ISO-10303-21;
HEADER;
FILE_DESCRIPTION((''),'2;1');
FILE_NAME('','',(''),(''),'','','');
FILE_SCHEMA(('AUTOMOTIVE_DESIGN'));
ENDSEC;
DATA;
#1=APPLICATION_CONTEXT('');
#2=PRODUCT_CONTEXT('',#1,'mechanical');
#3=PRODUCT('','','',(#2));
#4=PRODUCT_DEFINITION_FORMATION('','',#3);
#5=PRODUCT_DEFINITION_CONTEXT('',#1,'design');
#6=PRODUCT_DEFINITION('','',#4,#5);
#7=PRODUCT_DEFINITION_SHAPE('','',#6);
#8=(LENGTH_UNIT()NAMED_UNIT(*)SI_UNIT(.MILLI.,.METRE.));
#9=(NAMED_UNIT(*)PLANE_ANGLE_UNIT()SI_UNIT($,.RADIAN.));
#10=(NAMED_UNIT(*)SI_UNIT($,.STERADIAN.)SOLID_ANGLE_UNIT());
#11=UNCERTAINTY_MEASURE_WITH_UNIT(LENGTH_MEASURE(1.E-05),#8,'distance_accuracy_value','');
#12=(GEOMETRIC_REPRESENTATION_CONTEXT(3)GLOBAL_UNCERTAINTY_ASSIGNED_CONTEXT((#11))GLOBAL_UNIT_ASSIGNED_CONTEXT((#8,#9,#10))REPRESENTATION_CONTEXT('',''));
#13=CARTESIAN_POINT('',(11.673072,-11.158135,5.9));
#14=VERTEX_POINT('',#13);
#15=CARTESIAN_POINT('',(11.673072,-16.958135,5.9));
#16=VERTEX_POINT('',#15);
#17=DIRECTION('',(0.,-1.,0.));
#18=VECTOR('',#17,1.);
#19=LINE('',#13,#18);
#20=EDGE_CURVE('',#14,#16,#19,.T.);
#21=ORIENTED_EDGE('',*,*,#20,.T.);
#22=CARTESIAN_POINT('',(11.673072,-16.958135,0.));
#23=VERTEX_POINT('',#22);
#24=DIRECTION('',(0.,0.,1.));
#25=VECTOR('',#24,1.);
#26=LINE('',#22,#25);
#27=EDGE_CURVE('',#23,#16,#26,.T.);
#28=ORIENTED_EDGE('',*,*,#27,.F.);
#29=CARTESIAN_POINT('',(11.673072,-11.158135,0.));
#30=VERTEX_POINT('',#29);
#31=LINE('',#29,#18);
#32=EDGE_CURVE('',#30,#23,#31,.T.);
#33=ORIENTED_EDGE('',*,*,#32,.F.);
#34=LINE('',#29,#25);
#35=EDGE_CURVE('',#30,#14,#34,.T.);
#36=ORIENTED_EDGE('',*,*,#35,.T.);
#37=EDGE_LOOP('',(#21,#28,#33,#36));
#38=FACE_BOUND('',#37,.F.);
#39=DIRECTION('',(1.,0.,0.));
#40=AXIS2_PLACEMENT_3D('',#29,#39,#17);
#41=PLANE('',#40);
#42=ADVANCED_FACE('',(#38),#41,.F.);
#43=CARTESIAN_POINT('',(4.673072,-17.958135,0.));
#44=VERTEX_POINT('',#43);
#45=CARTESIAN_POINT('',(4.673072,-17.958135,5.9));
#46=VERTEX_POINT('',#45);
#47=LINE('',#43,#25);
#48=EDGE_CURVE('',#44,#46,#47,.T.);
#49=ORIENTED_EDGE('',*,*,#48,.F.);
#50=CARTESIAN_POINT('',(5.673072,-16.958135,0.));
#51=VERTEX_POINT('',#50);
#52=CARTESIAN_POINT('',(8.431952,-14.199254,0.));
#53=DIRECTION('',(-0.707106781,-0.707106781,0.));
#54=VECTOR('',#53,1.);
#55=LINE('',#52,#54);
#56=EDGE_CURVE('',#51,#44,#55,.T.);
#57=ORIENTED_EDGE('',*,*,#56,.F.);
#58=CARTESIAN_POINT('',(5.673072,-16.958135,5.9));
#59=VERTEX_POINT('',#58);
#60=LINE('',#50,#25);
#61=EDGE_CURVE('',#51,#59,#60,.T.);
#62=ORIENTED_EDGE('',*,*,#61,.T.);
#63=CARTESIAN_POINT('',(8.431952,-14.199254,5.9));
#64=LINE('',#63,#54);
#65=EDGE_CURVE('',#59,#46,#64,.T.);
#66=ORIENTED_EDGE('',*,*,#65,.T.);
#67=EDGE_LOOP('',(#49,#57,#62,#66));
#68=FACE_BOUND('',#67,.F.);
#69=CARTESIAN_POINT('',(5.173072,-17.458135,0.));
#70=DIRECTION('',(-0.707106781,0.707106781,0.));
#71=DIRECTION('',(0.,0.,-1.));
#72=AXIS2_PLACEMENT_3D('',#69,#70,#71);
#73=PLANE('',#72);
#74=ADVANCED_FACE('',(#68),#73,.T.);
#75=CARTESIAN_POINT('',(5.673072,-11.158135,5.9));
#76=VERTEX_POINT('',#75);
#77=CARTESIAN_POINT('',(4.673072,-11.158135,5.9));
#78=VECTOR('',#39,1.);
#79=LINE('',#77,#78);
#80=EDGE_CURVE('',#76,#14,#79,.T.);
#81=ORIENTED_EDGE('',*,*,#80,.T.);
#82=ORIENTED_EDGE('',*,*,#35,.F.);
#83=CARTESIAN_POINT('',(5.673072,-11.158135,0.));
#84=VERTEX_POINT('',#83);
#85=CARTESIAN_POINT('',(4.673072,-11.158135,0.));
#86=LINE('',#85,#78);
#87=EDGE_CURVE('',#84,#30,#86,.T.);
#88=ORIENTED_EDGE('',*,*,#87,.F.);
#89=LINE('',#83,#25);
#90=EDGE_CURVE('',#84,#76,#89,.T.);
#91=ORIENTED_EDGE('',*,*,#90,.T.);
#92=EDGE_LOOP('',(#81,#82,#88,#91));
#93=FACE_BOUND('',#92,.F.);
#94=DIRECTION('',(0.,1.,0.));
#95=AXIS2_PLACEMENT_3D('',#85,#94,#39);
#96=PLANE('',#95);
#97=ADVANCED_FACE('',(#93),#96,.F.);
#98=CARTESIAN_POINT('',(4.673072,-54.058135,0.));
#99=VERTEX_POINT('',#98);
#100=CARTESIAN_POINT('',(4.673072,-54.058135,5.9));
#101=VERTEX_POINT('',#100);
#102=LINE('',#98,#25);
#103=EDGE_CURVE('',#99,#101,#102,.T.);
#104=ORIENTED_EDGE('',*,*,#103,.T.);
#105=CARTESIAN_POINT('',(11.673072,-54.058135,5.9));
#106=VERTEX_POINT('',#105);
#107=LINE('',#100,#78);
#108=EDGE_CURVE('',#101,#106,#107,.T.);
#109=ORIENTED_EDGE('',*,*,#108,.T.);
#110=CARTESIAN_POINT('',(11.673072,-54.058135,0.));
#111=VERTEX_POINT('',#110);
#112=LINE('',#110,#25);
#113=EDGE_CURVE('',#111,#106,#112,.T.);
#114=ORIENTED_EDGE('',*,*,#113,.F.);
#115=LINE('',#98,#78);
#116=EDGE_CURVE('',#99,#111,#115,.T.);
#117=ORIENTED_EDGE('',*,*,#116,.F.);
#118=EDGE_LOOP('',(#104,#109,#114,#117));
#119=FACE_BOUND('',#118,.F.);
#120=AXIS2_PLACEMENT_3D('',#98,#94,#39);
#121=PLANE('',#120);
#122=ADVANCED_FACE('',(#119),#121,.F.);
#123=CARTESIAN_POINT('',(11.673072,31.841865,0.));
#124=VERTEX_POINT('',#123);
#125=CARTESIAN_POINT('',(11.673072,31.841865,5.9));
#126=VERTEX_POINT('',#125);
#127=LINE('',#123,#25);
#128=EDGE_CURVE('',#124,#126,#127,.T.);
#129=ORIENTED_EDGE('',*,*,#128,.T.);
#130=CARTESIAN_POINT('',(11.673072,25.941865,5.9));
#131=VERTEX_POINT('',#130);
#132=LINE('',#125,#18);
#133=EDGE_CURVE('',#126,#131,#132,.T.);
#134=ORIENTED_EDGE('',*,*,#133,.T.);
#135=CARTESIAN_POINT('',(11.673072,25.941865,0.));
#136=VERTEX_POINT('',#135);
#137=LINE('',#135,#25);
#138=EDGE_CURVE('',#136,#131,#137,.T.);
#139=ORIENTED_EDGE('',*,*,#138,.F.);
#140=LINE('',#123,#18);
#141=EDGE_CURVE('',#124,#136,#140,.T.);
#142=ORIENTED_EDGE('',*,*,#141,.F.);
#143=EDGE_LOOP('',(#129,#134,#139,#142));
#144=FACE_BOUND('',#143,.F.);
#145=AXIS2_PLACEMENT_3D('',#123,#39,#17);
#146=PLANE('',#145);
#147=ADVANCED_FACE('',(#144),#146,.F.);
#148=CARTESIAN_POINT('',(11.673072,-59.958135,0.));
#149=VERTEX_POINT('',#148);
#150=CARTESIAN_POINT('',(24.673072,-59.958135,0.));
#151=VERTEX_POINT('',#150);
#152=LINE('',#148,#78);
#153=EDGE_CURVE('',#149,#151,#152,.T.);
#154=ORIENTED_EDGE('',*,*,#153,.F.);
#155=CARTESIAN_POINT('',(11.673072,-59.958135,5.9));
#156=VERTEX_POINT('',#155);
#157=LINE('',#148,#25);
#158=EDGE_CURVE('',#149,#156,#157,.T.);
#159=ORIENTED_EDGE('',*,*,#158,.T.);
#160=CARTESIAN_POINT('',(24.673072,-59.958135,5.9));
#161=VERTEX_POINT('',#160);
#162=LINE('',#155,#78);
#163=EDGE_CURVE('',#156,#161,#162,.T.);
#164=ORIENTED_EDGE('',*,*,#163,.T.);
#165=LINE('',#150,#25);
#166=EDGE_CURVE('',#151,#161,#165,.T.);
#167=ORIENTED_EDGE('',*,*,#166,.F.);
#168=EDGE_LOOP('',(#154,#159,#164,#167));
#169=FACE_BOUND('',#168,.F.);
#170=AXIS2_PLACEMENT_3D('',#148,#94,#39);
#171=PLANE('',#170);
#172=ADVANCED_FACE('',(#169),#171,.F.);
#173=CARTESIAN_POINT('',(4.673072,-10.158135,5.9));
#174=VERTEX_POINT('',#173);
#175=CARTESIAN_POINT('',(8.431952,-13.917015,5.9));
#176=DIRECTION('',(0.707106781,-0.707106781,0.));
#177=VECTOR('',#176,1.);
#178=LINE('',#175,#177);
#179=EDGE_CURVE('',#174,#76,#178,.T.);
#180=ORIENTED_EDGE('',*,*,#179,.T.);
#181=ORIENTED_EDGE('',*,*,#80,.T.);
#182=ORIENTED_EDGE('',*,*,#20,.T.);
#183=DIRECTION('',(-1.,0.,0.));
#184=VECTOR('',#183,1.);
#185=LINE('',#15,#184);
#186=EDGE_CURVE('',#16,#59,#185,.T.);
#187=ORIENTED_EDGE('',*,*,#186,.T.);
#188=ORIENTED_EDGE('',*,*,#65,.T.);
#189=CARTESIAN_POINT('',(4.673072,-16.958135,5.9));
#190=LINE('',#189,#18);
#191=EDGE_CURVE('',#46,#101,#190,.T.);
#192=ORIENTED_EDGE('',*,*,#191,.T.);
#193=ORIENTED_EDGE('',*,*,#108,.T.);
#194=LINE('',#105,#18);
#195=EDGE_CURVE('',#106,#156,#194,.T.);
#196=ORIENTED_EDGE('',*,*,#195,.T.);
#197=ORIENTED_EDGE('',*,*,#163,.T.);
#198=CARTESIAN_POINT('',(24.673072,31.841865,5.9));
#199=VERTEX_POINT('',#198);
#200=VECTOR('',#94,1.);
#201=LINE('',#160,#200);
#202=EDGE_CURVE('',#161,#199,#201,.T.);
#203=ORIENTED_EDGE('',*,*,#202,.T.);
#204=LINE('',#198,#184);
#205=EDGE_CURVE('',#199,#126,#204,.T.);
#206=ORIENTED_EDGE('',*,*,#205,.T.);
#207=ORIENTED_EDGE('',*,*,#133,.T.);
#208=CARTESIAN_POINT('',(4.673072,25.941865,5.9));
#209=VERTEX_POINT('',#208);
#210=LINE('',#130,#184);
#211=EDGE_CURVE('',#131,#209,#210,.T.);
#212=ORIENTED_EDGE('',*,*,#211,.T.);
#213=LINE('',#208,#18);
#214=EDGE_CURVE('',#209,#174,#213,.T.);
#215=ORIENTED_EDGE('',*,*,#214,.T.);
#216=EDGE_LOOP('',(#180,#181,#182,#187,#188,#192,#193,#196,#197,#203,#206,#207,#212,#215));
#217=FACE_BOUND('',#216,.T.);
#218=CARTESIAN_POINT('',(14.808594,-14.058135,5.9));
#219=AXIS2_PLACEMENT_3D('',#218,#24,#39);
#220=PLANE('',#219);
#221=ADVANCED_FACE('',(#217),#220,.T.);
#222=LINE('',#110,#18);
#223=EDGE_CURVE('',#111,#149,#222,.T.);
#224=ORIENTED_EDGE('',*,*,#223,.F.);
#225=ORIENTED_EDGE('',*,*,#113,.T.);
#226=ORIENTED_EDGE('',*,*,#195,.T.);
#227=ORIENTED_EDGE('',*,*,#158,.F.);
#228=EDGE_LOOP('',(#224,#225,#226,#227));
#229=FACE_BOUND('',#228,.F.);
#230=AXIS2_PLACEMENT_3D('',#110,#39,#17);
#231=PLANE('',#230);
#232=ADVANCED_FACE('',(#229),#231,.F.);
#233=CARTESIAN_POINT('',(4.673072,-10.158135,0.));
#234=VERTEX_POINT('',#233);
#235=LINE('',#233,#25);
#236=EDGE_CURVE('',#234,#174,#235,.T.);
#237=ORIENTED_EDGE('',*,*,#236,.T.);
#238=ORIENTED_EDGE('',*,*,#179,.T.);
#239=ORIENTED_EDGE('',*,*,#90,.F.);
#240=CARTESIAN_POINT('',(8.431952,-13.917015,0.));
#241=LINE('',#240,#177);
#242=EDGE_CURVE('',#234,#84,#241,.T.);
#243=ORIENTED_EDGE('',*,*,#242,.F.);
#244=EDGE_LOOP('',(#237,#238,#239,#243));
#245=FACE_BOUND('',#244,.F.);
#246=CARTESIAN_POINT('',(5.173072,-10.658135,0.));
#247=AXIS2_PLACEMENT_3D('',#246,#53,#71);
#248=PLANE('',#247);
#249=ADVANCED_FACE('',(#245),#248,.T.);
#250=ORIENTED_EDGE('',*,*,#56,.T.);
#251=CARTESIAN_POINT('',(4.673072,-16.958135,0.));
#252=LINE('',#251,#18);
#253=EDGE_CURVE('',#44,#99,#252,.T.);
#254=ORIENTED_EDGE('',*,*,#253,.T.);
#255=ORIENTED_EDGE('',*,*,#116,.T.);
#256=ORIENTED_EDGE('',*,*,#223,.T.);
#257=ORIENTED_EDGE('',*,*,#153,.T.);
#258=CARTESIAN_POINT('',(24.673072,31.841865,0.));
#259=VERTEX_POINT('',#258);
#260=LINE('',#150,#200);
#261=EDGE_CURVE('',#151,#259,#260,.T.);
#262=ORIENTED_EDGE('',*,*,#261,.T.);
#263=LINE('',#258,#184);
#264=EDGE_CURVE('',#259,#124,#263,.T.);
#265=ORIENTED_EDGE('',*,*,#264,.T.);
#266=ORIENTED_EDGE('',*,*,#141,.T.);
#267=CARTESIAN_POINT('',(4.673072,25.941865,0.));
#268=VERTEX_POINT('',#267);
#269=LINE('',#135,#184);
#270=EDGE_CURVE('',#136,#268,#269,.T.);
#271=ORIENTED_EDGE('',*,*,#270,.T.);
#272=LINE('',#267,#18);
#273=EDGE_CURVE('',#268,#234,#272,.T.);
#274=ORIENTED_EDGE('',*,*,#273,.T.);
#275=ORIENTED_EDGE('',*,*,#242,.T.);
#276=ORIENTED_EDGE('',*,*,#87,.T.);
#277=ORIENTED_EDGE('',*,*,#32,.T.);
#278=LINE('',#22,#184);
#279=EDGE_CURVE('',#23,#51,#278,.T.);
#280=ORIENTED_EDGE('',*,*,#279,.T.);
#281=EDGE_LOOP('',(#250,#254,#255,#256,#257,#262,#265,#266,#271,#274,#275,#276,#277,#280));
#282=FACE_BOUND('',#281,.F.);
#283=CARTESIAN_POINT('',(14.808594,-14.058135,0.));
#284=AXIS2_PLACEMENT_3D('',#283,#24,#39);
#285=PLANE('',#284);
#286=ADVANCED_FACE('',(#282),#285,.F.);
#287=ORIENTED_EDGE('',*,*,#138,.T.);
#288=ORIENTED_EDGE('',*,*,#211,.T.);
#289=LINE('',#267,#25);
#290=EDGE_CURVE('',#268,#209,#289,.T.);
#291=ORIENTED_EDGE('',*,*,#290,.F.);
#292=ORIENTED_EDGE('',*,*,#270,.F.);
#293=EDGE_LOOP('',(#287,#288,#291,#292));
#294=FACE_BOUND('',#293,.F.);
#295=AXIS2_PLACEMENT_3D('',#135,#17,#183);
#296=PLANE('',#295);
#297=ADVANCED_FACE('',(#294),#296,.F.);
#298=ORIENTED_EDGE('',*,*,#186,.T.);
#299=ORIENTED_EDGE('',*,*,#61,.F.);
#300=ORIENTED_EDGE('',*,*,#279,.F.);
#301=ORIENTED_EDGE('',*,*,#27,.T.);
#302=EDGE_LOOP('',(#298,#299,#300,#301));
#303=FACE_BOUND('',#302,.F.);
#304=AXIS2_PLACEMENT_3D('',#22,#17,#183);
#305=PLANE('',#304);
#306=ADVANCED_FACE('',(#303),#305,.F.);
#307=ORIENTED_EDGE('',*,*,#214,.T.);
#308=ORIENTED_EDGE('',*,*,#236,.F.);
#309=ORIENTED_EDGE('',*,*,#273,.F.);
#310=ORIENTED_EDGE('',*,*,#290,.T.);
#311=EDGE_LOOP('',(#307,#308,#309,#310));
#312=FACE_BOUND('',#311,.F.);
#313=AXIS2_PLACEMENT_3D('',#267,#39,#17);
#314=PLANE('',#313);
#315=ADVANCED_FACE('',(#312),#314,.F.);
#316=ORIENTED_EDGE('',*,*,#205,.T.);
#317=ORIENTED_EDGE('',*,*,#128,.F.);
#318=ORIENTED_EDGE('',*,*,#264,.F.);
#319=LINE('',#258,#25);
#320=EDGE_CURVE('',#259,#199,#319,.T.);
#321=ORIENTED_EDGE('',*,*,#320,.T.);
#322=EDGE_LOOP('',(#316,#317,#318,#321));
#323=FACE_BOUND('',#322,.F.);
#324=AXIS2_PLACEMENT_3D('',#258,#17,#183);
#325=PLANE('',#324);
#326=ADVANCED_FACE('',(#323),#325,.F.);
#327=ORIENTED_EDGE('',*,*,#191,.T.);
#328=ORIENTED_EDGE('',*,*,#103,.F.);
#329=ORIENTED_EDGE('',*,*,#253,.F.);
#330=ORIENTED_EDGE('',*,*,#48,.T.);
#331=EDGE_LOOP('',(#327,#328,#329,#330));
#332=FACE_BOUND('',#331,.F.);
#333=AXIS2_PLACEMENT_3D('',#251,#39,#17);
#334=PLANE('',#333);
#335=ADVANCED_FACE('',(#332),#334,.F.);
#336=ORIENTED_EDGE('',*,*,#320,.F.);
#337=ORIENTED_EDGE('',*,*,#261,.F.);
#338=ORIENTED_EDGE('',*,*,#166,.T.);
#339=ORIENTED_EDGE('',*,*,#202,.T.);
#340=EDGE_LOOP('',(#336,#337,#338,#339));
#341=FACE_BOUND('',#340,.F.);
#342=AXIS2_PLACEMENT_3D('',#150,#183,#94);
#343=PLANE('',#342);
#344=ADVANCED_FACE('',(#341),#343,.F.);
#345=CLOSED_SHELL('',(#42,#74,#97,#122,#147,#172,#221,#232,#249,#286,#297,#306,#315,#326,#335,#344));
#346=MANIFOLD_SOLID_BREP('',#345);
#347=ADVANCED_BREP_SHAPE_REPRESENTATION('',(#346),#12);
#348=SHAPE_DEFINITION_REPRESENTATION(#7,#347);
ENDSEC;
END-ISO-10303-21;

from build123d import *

# Parameters (mm, degrees)
F2_DEPTH = 5.9
F3_SIZE  = 1


with BuildPart() as f2:
    # F1 (on Top) → F2 (new body)
    with BuildSketch(Plane.XY):
        Polygon((4.6730719134, -54.0581345186), (11.6730719134, -54.0581345186), (11.6730719134, -59.9581345186), (24.6730719134, -59.9581345186), (24.6730719134, -54.0581345186), (24.6730719134, 25.9418654814), (24.6730719134, 31.8418654814), (11.6730719134, 31.8418654814), (11.6730719134, 25.9418654814), (4.6730719134, 25.9418654814), (4.6730719134, -11.1581345186), (11.6730719134, -11.1581345186), (11.6730719134, -16.9581345186), (4.6730719134, -16.9581345186), align=None)
    extrude(amount=F2_DEPTH)

    # F3
    f3_edges = [f2.edges().sort_by_distance(p)[0] for p in [
        (4.673072, -11.158135, 2.95),
        (4.673072, -16.958135, 2.95),
    ]]
    chamfer(f3_edges, length=F3_SIZE)


solid = f2.part
